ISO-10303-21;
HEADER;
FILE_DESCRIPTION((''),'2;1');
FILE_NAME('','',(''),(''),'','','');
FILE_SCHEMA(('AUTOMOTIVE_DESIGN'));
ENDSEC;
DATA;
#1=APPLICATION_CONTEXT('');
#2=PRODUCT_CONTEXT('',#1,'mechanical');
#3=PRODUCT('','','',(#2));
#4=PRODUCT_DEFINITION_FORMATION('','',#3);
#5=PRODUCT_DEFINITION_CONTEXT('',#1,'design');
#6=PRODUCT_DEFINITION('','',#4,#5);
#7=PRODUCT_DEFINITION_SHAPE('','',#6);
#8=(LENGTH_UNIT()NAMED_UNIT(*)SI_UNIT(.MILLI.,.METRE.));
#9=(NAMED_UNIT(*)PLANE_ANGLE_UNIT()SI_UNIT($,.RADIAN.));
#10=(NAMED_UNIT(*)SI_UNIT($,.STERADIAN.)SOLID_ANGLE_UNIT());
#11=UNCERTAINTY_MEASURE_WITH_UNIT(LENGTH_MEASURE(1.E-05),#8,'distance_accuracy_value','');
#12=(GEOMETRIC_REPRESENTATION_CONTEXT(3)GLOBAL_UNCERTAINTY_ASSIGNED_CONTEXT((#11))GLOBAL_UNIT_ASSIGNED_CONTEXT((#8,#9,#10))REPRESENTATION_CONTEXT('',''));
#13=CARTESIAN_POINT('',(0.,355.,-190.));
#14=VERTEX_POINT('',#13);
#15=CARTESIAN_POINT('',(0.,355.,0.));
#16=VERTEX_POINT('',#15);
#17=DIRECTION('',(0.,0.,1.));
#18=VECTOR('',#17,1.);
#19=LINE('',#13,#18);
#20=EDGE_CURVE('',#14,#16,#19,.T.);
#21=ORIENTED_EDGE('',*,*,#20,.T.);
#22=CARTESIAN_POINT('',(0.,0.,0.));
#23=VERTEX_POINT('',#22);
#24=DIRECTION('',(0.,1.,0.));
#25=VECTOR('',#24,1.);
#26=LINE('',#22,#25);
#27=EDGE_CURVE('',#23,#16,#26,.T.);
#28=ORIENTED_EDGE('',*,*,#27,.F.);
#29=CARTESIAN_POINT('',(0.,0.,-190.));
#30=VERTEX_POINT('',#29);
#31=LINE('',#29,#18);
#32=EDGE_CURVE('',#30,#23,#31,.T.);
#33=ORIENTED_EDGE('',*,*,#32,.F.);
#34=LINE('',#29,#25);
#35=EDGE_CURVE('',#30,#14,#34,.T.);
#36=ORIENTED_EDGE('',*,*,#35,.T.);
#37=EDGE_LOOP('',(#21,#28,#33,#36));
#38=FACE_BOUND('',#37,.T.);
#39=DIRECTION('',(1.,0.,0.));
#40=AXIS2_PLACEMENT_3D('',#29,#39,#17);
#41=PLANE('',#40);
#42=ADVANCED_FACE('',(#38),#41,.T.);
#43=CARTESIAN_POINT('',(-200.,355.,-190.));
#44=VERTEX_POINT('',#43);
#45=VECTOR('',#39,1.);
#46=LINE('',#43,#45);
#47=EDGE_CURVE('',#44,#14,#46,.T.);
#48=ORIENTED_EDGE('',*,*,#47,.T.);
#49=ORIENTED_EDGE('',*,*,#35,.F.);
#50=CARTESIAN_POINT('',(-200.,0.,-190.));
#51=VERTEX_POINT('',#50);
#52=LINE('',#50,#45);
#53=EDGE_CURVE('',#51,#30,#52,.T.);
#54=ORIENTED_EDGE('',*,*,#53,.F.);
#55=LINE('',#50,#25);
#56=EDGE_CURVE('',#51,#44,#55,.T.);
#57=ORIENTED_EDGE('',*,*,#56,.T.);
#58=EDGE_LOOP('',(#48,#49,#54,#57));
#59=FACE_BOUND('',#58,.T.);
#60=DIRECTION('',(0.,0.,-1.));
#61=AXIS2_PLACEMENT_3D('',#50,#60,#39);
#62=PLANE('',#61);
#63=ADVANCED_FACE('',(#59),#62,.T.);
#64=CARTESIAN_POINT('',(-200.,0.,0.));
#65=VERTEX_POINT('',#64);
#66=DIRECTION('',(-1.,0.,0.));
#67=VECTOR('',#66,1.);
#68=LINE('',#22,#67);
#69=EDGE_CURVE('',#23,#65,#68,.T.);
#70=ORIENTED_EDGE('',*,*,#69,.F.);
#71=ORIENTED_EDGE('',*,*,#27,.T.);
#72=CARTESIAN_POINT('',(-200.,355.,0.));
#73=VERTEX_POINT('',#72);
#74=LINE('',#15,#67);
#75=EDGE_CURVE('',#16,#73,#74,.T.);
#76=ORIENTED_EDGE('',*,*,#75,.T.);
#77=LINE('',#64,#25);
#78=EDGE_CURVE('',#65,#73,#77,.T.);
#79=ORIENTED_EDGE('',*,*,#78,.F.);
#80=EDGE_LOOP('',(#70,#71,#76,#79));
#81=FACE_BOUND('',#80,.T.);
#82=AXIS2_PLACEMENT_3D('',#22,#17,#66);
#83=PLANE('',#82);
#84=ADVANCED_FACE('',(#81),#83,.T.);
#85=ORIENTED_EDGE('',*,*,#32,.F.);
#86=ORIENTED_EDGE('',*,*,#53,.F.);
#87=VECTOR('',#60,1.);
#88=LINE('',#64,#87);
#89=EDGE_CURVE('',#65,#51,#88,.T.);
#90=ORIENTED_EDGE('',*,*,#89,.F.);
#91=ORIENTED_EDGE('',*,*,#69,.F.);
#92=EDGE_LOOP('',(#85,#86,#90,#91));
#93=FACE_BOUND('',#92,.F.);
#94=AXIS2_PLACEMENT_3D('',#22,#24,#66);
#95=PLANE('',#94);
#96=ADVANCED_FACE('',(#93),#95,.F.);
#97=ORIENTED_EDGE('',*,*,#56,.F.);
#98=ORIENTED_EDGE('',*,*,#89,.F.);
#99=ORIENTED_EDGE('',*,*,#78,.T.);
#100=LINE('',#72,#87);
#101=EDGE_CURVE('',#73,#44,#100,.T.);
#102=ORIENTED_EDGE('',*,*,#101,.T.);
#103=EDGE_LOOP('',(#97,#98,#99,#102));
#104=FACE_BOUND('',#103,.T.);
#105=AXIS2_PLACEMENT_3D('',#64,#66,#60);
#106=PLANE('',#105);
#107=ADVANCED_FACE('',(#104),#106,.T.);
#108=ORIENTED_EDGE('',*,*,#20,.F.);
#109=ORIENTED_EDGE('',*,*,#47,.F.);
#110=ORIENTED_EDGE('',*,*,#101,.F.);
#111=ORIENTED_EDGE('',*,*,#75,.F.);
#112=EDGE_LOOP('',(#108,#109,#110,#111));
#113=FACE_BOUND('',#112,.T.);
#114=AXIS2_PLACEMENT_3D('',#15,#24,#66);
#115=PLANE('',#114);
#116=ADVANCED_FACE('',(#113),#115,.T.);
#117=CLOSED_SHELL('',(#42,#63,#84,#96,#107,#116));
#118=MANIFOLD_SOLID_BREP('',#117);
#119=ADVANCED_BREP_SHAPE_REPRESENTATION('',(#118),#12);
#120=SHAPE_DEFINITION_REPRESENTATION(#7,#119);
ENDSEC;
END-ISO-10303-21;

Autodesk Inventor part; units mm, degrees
ref_plane "YZ Plane" through (0, 0, 0) normal (1, 0, 0) x (0, 1, 0)
ref_plane "XZ Plane" through (0, 0, 0) normal (0, 1, 0) x (-1, 0, 0)
ref_plane "XY Plane" through (0, 0, 0) normal (0, 0, 1) x (1, 0, 0)
sketch "Sketch1" plane through (0, 0, 0) normal (0, 1, 0) x (-1, 0, 0)
  line L0 (0, 0) -> (200, 0)
  line L1 (200, 0) -> (200, -190)
  line L2 (200, -190) -> (0, -190)
  line L3 (0, -190) -> (0, 0)
  dimension "d0" = 200
  dimension "d1" = 190
extrude "Extrusion1" add sketch "Sketch1" along normal blind 355
properties part number "Reservorio"
